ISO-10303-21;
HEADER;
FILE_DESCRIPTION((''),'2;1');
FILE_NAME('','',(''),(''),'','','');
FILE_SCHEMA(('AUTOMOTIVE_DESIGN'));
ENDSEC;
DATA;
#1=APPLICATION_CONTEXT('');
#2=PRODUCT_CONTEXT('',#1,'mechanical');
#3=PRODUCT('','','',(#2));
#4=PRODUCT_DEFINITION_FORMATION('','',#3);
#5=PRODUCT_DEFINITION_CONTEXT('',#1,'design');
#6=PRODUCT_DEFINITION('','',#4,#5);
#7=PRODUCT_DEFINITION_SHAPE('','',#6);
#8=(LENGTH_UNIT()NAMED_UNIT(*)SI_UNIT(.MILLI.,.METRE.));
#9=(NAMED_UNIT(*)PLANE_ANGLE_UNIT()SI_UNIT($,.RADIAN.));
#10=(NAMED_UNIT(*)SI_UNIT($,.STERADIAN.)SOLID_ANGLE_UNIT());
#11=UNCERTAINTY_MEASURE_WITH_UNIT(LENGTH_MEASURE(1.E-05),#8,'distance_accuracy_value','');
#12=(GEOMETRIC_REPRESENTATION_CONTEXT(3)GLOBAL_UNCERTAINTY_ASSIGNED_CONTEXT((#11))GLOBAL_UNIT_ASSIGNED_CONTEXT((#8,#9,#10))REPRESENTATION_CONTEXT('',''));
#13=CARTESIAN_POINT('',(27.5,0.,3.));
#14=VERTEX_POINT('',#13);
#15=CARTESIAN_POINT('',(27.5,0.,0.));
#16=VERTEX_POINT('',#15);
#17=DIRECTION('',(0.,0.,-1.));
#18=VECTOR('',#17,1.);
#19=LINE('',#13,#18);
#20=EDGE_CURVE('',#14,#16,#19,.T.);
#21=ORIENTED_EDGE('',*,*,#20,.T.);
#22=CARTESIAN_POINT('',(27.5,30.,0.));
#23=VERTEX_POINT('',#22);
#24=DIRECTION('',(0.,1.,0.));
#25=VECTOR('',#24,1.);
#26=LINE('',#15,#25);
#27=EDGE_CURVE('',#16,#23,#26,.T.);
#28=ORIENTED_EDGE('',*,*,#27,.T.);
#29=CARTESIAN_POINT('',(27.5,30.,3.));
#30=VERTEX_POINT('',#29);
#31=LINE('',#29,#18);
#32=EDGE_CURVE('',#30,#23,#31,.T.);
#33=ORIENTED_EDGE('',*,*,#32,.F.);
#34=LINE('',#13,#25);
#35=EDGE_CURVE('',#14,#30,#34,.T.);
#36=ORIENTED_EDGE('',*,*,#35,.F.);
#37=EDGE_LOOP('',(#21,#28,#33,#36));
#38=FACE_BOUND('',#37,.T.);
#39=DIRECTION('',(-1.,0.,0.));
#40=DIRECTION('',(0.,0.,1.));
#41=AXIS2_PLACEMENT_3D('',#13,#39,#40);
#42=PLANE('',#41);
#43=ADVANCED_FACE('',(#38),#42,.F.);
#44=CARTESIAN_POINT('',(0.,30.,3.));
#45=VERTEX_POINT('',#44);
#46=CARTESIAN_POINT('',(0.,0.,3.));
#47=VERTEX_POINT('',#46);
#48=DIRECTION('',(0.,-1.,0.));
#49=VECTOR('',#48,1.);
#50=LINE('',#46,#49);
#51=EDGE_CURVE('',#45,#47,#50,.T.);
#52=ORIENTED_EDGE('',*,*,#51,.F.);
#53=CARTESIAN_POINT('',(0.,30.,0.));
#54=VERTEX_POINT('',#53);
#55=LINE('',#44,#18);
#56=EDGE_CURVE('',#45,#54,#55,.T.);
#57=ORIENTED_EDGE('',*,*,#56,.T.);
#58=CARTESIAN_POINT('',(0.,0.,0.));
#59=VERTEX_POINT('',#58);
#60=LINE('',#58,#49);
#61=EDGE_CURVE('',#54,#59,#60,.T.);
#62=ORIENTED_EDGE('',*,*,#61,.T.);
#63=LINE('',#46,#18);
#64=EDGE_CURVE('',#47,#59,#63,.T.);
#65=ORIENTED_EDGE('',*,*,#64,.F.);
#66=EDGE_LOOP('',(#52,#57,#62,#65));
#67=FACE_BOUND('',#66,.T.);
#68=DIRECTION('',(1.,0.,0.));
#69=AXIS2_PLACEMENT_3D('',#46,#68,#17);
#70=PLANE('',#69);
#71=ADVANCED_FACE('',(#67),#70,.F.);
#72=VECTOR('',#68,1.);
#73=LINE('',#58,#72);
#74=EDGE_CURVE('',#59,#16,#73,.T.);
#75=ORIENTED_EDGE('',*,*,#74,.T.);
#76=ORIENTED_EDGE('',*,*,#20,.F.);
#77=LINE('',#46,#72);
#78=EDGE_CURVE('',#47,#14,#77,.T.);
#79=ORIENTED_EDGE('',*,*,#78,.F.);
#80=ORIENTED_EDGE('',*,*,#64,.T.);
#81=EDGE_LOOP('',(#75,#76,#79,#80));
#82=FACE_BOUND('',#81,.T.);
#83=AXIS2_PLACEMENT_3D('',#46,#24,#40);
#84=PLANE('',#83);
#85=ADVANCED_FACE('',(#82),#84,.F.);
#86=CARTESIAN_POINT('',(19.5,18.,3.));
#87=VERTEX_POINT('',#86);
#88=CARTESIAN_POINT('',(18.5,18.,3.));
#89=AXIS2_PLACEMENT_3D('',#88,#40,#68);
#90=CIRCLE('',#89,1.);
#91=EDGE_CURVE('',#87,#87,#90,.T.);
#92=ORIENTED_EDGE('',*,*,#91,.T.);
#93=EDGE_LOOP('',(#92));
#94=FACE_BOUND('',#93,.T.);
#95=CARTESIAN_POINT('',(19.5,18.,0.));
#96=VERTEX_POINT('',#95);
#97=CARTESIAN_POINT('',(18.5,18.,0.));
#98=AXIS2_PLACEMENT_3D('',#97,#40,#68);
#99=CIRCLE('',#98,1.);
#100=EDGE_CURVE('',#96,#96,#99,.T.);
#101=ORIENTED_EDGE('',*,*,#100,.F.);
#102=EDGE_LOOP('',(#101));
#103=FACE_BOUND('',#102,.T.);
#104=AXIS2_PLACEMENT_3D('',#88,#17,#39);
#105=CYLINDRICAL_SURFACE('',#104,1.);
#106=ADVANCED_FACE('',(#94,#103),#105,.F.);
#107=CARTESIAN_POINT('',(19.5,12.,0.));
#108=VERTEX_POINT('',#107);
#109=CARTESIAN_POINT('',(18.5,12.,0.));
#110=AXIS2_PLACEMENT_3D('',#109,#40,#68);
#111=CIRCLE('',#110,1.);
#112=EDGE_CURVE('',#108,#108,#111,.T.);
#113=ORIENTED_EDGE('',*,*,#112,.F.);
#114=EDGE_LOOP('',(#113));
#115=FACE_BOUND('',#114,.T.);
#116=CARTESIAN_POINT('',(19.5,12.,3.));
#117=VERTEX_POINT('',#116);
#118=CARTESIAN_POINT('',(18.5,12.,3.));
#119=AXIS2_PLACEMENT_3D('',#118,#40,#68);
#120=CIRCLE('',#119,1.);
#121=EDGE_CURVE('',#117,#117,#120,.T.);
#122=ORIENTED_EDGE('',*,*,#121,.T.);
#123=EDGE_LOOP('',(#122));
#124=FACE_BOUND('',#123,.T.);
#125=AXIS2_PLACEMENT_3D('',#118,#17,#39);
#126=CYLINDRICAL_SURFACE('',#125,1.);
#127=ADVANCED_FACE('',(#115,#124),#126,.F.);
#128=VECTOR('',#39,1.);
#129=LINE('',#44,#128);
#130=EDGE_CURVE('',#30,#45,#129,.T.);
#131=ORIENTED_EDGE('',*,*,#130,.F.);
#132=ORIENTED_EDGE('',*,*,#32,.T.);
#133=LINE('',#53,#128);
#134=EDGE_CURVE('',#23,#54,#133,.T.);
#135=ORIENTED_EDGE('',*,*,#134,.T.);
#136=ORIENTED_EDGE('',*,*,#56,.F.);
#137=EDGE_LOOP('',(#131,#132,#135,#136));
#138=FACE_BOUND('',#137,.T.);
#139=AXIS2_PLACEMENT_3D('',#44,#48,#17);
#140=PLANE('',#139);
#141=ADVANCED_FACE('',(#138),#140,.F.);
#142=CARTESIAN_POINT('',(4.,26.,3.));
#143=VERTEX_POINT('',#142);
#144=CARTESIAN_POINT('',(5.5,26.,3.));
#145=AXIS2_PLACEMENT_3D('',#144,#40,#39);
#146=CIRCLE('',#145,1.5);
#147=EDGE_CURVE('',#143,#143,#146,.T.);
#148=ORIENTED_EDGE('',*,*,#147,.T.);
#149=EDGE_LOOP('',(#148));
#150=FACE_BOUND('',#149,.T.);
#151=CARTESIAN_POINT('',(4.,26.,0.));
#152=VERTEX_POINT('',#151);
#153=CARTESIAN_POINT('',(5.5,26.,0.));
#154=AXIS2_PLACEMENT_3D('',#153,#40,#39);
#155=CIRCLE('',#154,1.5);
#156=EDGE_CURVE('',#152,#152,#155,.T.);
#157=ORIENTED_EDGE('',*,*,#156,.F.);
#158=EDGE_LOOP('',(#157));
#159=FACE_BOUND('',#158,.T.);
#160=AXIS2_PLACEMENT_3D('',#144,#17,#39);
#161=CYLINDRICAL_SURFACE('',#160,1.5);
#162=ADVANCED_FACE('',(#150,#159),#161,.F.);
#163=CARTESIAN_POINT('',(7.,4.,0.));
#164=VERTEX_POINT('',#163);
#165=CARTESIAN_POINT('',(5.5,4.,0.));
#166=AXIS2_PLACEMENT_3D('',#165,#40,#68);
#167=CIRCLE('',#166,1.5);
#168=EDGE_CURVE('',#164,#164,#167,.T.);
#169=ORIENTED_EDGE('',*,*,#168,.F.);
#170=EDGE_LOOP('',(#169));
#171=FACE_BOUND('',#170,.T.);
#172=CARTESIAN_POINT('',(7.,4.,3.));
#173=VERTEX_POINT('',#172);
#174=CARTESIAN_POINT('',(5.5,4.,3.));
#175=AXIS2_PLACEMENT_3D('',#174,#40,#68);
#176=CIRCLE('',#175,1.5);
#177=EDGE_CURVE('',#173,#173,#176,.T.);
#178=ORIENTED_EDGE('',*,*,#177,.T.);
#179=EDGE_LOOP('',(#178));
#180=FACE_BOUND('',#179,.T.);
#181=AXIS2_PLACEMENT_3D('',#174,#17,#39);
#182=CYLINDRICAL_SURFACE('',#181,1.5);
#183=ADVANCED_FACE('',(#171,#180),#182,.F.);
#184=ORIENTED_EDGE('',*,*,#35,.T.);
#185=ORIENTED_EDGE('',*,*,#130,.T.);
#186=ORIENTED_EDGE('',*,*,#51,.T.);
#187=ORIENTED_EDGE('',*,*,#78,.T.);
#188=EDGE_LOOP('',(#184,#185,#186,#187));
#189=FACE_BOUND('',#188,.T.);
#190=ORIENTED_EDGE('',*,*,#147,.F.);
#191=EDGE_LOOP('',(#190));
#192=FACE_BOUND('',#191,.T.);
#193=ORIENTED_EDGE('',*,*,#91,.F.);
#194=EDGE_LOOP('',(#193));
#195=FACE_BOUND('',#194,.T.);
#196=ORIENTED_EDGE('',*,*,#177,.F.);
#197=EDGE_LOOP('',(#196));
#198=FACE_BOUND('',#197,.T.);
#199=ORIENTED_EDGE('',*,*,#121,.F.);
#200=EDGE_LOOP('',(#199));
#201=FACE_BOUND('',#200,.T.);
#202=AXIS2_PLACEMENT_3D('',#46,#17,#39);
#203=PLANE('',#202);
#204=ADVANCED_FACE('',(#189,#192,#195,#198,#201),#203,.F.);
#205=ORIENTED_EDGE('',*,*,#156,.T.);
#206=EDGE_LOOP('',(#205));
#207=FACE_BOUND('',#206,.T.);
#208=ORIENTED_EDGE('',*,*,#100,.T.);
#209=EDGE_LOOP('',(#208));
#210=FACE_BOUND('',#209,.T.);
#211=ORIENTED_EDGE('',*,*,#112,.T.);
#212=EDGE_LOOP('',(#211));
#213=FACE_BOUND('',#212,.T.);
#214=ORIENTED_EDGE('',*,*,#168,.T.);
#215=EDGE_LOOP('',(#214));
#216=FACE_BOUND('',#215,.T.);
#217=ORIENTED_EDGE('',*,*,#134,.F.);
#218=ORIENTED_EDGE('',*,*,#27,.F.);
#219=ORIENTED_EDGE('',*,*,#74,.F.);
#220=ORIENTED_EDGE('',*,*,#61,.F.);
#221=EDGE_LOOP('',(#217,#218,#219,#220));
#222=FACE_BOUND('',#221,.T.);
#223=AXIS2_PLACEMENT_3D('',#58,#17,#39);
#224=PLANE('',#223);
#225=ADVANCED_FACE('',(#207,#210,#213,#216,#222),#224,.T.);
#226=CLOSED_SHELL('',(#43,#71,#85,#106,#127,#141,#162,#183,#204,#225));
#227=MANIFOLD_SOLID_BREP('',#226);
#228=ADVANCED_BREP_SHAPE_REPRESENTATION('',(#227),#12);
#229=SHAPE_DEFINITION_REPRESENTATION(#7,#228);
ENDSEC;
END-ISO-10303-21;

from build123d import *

# Parameters (mm, degrees)
CROQUIS1_W              = 27.5
CROQUIS1_H              = 30
CROQUIS1_R              = 1
CROQUIS1_R_2            = 1.5
SALIENTE_EXTRUIR1_DEPTH = 3


with BuildPart() as part:
    # Croquis1 → Saliente-Extruir1 (new body)
    with BuildSketch(Plane.XY):
        with Locations((13.75, 15)):
            Rectangle(CROQUIS1_W, CROQUIS1_H)
        with Locations((18.5, 12)):
            Circle(CROQUIS1_R, mode=Mode.SUBTRACT)
        with Locations((18.5, 18)):
            Circle(CROQUIS1_R, mode=Mode.SUBTRACT)
        with Locations((5.5, 4)):
            Circle(CROQUIS1_R_2, mode=Mode.SUBTRACT)
        with Locations(Location((5.5, 26, 0), (0, 0, 180))):
            Circle(CROQUIS1_R_2, mode=Mode.SUBTRACT)
    extrude(amount=SALIENTE_EXTRUIR1_DEPTH)


solid = part.part
